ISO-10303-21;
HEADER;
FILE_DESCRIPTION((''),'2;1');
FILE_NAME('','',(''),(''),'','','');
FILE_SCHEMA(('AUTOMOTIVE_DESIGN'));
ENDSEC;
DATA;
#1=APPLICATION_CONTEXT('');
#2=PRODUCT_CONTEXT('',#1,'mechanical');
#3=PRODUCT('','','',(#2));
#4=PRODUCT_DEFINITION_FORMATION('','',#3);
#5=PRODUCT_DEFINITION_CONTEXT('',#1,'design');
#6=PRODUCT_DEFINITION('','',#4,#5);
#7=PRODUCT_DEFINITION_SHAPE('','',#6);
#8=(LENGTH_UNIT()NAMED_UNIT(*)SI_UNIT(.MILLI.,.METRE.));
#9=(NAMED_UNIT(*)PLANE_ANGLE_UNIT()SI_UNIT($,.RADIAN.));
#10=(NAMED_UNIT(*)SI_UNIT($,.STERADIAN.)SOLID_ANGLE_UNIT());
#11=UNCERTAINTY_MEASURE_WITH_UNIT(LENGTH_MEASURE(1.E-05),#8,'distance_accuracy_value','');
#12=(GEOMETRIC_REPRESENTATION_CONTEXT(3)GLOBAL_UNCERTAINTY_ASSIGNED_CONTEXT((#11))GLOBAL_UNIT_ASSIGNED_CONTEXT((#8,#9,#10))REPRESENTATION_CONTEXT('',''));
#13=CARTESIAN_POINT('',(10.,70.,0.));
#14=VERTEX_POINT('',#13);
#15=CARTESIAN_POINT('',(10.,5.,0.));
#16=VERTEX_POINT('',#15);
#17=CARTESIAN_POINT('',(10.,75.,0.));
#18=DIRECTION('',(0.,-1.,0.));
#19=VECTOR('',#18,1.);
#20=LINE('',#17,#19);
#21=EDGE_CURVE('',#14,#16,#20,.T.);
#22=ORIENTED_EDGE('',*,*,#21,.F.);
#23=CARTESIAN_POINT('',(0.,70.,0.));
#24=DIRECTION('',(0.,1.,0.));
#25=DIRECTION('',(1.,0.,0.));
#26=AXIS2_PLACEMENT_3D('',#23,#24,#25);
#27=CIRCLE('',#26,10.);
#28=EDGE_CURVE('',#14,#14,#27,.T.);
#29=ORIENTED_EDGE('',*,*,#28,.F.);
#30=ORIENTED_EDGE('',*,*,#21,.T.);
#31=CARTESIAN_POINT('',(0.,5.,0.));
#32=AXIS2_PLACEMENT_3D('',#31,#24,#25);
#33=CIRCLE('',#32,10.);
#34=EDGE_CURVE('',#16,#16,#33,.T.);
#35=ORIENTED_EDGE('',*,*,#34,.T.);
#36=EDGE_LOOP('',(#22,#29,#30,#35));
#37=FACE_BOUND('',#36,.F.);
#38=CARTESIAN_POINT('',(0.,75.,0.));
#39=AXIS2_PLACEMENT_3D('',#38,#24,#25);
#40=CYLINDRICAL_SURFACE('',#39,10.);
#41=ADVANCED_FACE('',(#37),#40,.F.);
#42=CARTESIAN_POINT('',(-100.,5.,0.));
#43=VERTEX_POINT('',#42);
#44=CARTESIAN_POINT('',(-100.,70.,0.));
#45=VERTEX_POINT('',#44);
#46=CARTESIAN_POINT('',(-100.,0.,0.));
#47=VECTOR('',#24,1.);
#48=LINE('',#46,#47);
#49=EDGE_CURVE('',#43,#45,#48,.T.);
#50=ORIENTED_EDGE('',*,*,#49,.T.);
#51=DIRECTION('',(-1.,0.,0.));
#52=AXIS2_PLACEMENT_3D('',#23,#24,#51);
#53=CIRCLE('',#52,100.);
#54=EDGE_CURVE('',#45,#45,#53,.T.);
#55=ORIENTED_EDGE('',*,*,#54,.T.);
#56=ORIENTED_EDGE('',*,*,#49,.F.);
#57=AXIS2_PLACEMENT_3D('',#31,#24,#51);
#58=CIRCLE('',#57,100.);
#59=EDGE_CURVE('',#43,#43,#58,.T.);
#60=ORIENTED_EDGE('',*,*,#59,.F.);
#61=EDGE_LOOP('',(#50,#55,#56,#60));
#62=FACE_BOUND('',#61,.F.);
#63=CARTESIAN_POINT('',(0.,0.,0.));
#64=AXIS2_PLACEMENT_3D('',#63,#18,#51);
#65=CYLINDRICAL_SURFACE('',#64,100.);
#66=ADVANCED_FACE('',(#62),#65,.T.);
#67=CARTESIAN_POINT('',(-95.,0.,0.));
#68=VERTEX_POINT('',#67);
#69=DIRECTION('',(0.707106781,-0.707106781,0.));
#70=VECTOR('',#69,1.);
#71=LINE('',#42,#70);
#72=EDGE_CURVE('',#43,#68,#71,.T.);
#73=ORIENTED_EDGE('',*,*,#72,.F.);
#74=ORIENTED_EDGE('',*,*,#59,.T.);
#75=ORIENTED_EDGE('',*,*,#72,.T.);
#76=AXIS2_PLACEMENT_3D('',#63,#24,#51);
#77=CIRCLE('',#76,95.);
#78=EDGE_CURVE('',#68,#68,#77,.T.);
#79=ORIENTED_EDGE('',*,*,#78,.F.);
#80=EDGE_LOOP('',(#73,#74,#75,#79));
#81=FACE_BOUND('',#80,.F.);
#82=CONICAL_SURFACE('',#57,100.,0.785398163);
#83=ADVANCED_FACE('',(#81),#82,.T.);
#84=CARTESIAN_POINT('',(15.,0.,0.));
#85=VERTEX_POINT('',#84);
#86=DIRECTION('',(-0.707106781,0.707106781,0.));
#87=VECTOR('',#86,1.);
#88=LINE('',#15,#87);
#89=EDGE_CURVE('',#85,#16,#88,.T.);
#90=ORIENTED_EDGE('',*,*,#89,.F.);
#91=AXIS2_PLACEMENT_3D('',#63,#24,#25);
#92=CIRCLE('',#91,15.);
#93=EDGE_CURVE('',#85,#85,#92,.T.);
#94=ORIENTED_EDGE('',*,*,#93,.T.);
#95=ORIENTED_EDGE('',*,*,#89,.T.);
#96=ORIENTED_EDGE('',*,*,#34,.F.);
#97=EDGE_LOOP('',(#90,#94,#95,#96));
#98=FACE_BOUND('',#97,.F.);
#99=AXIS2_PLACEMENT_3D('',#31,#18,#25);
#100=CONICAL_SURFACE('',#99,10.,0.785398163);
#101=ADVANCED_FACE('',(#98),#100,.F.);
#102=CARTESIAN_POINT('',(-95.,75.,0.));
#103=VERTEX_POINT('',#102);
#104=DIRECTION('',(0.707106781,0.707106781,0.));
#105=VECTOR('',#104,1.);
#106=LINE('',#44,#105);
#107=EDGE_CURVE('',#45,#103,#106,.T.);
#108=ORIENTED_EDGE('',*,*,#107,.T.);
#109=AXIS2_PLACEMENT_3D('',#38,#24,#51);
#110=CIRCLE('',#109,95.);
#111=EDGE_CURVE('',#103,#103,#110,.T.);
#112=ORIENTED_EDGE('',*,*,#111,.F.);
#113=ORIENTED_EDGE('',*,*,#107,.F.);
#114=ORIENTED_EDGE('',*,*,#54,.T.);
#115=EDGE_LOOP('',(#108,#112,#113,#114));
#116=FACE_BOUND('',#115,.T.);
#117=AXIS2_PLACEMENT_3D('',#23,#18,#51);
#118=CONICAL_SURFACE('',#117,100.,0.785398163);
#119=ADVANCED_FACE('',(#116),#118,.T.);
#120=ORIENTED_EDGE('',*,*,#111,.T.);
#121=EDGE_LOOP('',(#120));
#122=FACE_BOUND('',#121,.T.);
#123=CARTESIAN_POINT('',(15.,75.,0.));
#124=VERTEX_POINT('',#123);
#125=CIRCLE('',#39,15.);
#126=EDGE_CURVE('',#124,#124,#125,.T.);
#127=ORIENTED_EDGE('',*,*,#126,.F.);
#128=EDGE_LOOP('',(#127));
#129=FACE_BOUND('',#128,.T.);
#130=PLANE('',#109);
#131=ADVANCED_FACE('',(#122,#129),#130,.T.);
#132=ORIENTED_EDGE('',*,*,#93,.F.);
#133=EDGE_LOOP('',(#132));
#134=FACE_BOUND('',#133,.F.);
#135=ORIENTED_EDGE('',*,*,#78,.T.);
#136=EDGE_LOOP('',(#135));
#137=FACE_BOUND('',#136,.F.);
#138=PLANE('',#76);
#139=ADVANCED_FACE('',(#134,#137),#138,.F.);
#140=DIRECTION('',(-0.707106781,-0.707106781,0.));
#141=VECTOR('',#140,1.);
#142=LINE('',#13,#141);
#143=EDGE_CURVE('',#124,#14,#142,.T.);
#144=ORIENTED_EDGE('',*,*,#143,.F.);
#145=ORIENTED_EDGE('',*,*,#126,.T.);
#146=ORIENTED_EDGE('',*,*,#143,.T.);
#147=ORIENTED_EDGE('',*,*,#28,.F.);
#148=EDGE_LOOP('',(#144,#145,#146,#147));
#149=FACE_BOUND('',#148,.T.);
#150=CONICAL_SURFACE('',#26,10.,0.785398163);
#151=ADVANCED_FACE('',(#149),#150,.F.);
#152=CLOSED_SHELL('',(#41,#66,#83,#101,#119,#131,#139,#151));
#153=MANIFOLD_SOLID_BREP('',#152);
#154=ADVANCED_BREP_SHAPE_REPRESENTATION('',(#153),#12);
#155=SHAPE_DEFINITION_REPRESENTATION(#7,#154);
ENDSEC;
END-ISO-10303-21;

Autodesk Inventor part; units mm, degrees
ref_plane "YZ Plane" through (0, 0, 0) normal (1, 0, 0) x (0, 1, 0)
ref_plane "XZ Plane" through (0, 0, 0) normal (0, 1, 0) x (-1, 0, 0)
ref_plane "XY Plane" through (0, 0, 0) normal (0, 0, 1) x (1, 0, 0)
sketch "Sketch1" plane through (0, 0, 0) normal (0, 1, 0) x (-1, 0, 0)
  circle A0 centre (0, 0) radius 100
  dimension "d0" = 200
extrude "Extrusion1" add sketch "Sketch1" along normal blind 75
chamfer "Chamfer1" distance 5 angle 45 2 edges at (100, 75, 0) (100, 0, 0)
sketch "Sketch2" plane through (0, 75, 0) normal (0, 1, 0) x (1, 0, 0)
  circle A0 centre (0, 0) radius 10
  dimension "d6" = 20
extrude "Extrusion2" cut sketch "Sketch2" against normal blind 75
chamfer "Chamfer2" distance 5 angle 45 2 edges at (-10, 75, 0) (-10, 0, 0)
properties part number "Peso"
